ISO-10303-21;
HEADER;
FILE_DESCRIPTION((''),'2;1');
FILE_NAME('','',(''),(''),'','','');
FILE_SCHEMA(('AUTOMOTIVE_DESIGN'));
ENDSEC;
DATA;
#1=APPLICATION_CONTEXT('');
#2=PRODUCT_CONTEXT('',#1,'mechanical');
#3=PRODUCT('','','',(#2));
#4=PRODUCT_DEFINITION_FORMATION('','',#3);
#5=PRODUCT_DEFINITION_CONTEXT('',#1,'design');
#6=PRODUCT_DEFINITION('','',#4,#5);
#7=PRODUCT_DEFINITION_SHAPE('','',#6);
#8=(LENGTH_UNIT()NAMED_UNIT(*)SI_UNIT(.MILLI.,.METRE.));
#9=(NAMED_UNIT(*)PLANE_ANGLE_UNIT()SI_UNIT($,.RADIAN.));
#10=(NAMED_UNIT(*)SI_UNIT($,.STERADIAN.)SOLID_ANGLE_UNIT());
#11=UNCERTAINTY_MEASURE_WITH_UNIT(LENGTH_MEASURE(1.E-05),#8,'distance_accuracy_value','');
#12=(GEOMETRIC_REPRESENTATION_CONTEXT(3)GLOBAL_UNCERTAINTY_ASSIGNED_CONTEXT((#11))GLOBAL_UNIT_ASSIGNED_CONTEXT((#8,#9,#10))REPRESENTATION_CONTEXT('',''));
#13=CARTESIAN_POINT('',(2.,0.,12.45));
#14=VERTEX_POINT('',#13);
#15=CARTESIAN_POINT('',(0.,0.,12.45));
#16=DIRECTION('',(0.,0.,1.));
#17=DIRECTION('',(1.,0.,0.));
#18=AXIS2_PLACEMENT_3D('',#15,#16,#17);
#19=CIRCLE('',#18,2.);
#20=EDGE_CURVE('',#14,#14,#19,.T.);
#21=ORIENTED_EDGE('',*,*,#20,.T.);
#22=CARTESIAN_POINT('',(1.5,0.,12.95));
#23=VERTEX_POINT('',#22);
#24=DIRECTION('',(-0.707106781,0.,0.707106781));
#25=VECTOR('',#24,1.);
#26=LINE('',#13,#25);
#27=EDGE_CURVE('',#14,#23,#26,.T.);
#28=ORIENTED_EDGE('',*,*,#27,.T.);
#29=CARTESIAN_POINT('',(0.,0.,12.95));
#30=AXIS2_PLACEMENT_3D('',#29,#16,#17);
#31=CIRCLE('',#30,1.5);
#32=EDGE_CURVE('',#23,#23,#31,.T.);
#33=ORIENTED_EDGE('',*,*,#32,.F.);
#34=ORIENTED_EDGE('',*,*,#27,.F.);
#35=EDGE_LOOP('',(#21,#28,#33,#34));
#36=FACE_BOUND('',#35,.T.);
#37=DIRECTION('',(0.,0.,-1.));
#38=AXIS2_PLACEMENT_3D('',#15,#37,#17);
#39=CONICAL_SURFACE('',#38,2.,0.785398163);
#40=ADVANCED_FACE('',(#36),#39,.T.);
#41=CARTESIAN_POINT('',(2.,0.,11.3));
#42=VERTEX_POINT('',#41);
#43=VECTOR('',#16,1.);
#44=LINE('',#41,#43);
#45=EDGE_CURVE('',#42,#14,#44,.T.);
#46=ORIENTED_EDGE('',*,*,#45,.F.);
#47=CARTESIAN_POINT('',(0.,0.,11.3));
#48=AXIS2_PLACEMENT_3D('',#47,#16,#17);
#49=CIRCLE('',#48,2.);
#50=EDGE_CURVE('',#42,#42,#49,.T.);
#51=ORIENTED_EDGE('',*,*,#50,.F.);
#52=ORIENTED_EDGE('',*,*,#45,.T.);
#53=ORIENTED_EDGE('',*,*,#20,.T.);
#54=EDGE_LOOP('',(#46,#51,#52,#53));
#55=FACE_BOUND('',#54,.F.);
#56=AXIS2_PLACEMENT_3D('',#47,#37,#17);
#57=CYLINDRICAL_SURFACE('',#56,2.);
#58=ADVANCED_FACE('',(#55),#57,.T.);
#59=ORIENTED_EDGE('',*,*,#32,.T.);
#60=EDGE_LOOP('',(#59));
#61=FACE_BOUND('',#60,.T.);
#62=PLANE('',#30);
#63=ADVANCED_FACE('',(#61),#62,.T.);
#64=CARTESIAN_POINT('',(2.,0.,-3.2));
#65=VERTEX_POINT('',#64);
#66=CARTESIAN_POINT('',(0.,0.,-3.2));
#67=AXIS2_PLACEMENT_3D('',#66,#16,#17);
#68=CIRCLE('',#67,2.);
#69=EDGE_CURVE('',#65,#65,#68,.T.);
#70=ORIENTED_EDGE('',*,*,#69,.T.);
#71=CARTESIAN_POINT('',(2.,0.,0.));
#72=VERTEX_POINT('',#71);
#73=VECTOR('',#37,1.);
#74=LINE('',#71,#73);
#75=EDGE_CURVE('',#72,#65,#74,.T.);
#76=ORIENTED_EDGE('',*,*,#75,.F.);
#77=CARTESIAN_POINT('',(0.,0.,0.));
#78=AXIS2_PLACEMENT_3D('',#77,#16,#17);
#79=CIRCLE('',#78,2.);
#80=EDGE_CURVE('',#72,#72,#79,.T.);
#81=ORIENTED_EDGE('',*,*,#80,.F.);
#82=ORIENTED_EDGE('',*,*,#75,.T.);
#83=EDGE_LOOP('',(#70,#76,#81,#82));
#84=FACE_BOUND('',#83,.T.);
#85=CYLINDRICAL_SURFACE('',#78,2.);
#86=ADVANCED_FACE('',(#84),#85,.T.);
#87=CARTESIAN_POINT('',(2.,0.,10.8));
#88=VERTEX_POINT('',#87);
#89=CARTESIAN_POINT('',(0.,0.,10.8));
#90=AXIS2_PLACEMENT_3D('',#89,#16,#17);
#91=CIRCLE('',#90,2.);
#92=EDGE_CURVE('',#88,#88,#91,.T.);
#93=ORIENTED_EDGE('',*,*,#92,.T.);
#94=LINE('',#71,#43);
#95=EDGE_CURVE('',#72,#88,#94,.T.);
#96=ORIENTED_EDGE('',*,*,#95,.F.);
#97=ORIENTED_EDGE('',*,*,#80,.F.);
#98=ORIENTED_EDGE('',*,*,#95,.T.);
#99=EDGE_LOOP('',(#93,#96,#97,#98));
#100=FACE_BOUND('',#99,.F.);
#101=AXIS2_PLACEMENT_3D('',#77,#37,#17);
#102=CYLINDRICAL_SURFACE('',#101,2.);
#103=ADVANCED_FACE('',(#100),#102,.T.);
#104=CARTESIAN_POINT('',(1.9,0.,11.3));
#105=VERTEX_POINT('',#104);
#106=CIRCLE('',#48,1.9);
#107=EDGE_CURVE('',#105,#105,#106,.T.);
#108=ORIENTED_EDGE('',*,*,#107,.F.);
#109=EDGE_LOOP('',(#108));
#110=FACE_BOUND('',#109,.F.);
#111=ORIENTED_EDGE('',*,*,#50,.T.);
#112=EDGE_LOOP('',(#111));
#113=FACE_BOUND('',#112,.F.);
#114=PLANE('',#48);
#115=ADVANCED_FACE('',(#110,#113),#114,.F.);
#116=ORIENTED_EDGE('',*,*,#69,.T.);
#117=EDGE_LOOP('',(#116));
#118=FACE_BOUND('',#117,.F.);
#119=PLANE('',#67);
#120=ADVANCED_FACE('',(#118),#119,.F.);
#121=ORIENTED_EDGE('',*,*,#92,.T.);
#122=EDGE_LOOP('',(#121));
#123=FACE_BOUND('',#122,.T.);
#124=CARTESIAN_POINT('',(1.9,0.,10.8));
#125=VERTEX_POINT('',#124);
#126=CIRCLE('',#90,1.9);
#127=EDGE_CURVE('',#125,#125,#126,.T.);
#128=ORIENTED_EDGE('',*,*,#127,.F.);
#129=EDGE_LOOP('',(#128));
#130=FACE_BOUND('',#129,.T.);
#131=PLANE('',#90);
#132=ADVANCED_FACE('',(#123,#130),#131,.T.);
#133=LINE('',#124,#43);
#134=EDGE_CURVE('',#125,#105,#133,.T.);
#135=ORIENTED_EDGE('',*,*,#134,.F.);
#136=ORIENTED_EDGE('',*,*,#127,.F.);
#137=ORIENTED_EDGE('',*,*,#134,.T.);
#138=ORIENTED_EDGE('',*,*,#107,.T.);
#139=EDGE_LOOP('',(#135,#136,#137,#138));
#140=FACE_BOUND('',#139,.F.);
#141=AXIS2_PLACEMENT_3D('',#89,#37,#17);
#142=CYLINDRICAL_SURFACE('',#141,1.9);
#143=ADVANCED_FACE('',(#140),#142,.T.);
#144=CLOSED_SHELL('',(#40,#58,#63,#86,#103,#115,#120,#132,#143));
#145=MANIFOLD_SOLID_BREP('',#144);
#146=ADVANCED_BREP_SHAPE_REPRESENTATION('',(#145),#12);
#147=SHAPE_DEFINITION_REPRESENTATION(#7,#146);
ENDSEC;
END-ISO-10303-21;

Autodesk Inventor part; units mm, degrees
ref_plane "YZ Plane" through (0, 0, 0) normal (1, 0, 0) x (0, 1, 0)
ref_plane "XZ Plane" through (0, 0, 0) normal (0, 1, 0) x (-1, 0, 0)
ref_plane "XY Plane" through (0, 0, 0) normal (0, 0, 1) x (1, 0, 0)
sketch "Sketch1" plane through (0, 0, 0) normal (0, 0, 1) x (1, 0, 0)
  circle A0 centre (0, 0) radius 2
  dimension "d0" = 4
extrude "Extrusion1" add sketch "Sketch1" along normal blind 10.8 and the other way blind 3.2
sketch "Sketch2" plane through (0, 0, 10.8) normal (0, 0, 1) x (1, 0, 0)
  circle A0 centre (0, 0) radius 1.9
  dimension "d3" = 3.8
extrude "Extrusion2" add sketch "Sketch2" along normal blind 0.5
sketch "Sketch3" plane through (0, 0, 11.3) normal (0, 0, 1) x (1, 0, 0)
  circle A0 centre (0, 0) radius 2
extrude "Extrusion3" add sketch "Sketch3" along normal blind 1.65
chamfer "Chamfer1" distance 0.5 angle 45 1 edges at (-2, 0, 12.95)
properties part number "KURBELZAPFEN NEW" material "Steel ASTM A36"
